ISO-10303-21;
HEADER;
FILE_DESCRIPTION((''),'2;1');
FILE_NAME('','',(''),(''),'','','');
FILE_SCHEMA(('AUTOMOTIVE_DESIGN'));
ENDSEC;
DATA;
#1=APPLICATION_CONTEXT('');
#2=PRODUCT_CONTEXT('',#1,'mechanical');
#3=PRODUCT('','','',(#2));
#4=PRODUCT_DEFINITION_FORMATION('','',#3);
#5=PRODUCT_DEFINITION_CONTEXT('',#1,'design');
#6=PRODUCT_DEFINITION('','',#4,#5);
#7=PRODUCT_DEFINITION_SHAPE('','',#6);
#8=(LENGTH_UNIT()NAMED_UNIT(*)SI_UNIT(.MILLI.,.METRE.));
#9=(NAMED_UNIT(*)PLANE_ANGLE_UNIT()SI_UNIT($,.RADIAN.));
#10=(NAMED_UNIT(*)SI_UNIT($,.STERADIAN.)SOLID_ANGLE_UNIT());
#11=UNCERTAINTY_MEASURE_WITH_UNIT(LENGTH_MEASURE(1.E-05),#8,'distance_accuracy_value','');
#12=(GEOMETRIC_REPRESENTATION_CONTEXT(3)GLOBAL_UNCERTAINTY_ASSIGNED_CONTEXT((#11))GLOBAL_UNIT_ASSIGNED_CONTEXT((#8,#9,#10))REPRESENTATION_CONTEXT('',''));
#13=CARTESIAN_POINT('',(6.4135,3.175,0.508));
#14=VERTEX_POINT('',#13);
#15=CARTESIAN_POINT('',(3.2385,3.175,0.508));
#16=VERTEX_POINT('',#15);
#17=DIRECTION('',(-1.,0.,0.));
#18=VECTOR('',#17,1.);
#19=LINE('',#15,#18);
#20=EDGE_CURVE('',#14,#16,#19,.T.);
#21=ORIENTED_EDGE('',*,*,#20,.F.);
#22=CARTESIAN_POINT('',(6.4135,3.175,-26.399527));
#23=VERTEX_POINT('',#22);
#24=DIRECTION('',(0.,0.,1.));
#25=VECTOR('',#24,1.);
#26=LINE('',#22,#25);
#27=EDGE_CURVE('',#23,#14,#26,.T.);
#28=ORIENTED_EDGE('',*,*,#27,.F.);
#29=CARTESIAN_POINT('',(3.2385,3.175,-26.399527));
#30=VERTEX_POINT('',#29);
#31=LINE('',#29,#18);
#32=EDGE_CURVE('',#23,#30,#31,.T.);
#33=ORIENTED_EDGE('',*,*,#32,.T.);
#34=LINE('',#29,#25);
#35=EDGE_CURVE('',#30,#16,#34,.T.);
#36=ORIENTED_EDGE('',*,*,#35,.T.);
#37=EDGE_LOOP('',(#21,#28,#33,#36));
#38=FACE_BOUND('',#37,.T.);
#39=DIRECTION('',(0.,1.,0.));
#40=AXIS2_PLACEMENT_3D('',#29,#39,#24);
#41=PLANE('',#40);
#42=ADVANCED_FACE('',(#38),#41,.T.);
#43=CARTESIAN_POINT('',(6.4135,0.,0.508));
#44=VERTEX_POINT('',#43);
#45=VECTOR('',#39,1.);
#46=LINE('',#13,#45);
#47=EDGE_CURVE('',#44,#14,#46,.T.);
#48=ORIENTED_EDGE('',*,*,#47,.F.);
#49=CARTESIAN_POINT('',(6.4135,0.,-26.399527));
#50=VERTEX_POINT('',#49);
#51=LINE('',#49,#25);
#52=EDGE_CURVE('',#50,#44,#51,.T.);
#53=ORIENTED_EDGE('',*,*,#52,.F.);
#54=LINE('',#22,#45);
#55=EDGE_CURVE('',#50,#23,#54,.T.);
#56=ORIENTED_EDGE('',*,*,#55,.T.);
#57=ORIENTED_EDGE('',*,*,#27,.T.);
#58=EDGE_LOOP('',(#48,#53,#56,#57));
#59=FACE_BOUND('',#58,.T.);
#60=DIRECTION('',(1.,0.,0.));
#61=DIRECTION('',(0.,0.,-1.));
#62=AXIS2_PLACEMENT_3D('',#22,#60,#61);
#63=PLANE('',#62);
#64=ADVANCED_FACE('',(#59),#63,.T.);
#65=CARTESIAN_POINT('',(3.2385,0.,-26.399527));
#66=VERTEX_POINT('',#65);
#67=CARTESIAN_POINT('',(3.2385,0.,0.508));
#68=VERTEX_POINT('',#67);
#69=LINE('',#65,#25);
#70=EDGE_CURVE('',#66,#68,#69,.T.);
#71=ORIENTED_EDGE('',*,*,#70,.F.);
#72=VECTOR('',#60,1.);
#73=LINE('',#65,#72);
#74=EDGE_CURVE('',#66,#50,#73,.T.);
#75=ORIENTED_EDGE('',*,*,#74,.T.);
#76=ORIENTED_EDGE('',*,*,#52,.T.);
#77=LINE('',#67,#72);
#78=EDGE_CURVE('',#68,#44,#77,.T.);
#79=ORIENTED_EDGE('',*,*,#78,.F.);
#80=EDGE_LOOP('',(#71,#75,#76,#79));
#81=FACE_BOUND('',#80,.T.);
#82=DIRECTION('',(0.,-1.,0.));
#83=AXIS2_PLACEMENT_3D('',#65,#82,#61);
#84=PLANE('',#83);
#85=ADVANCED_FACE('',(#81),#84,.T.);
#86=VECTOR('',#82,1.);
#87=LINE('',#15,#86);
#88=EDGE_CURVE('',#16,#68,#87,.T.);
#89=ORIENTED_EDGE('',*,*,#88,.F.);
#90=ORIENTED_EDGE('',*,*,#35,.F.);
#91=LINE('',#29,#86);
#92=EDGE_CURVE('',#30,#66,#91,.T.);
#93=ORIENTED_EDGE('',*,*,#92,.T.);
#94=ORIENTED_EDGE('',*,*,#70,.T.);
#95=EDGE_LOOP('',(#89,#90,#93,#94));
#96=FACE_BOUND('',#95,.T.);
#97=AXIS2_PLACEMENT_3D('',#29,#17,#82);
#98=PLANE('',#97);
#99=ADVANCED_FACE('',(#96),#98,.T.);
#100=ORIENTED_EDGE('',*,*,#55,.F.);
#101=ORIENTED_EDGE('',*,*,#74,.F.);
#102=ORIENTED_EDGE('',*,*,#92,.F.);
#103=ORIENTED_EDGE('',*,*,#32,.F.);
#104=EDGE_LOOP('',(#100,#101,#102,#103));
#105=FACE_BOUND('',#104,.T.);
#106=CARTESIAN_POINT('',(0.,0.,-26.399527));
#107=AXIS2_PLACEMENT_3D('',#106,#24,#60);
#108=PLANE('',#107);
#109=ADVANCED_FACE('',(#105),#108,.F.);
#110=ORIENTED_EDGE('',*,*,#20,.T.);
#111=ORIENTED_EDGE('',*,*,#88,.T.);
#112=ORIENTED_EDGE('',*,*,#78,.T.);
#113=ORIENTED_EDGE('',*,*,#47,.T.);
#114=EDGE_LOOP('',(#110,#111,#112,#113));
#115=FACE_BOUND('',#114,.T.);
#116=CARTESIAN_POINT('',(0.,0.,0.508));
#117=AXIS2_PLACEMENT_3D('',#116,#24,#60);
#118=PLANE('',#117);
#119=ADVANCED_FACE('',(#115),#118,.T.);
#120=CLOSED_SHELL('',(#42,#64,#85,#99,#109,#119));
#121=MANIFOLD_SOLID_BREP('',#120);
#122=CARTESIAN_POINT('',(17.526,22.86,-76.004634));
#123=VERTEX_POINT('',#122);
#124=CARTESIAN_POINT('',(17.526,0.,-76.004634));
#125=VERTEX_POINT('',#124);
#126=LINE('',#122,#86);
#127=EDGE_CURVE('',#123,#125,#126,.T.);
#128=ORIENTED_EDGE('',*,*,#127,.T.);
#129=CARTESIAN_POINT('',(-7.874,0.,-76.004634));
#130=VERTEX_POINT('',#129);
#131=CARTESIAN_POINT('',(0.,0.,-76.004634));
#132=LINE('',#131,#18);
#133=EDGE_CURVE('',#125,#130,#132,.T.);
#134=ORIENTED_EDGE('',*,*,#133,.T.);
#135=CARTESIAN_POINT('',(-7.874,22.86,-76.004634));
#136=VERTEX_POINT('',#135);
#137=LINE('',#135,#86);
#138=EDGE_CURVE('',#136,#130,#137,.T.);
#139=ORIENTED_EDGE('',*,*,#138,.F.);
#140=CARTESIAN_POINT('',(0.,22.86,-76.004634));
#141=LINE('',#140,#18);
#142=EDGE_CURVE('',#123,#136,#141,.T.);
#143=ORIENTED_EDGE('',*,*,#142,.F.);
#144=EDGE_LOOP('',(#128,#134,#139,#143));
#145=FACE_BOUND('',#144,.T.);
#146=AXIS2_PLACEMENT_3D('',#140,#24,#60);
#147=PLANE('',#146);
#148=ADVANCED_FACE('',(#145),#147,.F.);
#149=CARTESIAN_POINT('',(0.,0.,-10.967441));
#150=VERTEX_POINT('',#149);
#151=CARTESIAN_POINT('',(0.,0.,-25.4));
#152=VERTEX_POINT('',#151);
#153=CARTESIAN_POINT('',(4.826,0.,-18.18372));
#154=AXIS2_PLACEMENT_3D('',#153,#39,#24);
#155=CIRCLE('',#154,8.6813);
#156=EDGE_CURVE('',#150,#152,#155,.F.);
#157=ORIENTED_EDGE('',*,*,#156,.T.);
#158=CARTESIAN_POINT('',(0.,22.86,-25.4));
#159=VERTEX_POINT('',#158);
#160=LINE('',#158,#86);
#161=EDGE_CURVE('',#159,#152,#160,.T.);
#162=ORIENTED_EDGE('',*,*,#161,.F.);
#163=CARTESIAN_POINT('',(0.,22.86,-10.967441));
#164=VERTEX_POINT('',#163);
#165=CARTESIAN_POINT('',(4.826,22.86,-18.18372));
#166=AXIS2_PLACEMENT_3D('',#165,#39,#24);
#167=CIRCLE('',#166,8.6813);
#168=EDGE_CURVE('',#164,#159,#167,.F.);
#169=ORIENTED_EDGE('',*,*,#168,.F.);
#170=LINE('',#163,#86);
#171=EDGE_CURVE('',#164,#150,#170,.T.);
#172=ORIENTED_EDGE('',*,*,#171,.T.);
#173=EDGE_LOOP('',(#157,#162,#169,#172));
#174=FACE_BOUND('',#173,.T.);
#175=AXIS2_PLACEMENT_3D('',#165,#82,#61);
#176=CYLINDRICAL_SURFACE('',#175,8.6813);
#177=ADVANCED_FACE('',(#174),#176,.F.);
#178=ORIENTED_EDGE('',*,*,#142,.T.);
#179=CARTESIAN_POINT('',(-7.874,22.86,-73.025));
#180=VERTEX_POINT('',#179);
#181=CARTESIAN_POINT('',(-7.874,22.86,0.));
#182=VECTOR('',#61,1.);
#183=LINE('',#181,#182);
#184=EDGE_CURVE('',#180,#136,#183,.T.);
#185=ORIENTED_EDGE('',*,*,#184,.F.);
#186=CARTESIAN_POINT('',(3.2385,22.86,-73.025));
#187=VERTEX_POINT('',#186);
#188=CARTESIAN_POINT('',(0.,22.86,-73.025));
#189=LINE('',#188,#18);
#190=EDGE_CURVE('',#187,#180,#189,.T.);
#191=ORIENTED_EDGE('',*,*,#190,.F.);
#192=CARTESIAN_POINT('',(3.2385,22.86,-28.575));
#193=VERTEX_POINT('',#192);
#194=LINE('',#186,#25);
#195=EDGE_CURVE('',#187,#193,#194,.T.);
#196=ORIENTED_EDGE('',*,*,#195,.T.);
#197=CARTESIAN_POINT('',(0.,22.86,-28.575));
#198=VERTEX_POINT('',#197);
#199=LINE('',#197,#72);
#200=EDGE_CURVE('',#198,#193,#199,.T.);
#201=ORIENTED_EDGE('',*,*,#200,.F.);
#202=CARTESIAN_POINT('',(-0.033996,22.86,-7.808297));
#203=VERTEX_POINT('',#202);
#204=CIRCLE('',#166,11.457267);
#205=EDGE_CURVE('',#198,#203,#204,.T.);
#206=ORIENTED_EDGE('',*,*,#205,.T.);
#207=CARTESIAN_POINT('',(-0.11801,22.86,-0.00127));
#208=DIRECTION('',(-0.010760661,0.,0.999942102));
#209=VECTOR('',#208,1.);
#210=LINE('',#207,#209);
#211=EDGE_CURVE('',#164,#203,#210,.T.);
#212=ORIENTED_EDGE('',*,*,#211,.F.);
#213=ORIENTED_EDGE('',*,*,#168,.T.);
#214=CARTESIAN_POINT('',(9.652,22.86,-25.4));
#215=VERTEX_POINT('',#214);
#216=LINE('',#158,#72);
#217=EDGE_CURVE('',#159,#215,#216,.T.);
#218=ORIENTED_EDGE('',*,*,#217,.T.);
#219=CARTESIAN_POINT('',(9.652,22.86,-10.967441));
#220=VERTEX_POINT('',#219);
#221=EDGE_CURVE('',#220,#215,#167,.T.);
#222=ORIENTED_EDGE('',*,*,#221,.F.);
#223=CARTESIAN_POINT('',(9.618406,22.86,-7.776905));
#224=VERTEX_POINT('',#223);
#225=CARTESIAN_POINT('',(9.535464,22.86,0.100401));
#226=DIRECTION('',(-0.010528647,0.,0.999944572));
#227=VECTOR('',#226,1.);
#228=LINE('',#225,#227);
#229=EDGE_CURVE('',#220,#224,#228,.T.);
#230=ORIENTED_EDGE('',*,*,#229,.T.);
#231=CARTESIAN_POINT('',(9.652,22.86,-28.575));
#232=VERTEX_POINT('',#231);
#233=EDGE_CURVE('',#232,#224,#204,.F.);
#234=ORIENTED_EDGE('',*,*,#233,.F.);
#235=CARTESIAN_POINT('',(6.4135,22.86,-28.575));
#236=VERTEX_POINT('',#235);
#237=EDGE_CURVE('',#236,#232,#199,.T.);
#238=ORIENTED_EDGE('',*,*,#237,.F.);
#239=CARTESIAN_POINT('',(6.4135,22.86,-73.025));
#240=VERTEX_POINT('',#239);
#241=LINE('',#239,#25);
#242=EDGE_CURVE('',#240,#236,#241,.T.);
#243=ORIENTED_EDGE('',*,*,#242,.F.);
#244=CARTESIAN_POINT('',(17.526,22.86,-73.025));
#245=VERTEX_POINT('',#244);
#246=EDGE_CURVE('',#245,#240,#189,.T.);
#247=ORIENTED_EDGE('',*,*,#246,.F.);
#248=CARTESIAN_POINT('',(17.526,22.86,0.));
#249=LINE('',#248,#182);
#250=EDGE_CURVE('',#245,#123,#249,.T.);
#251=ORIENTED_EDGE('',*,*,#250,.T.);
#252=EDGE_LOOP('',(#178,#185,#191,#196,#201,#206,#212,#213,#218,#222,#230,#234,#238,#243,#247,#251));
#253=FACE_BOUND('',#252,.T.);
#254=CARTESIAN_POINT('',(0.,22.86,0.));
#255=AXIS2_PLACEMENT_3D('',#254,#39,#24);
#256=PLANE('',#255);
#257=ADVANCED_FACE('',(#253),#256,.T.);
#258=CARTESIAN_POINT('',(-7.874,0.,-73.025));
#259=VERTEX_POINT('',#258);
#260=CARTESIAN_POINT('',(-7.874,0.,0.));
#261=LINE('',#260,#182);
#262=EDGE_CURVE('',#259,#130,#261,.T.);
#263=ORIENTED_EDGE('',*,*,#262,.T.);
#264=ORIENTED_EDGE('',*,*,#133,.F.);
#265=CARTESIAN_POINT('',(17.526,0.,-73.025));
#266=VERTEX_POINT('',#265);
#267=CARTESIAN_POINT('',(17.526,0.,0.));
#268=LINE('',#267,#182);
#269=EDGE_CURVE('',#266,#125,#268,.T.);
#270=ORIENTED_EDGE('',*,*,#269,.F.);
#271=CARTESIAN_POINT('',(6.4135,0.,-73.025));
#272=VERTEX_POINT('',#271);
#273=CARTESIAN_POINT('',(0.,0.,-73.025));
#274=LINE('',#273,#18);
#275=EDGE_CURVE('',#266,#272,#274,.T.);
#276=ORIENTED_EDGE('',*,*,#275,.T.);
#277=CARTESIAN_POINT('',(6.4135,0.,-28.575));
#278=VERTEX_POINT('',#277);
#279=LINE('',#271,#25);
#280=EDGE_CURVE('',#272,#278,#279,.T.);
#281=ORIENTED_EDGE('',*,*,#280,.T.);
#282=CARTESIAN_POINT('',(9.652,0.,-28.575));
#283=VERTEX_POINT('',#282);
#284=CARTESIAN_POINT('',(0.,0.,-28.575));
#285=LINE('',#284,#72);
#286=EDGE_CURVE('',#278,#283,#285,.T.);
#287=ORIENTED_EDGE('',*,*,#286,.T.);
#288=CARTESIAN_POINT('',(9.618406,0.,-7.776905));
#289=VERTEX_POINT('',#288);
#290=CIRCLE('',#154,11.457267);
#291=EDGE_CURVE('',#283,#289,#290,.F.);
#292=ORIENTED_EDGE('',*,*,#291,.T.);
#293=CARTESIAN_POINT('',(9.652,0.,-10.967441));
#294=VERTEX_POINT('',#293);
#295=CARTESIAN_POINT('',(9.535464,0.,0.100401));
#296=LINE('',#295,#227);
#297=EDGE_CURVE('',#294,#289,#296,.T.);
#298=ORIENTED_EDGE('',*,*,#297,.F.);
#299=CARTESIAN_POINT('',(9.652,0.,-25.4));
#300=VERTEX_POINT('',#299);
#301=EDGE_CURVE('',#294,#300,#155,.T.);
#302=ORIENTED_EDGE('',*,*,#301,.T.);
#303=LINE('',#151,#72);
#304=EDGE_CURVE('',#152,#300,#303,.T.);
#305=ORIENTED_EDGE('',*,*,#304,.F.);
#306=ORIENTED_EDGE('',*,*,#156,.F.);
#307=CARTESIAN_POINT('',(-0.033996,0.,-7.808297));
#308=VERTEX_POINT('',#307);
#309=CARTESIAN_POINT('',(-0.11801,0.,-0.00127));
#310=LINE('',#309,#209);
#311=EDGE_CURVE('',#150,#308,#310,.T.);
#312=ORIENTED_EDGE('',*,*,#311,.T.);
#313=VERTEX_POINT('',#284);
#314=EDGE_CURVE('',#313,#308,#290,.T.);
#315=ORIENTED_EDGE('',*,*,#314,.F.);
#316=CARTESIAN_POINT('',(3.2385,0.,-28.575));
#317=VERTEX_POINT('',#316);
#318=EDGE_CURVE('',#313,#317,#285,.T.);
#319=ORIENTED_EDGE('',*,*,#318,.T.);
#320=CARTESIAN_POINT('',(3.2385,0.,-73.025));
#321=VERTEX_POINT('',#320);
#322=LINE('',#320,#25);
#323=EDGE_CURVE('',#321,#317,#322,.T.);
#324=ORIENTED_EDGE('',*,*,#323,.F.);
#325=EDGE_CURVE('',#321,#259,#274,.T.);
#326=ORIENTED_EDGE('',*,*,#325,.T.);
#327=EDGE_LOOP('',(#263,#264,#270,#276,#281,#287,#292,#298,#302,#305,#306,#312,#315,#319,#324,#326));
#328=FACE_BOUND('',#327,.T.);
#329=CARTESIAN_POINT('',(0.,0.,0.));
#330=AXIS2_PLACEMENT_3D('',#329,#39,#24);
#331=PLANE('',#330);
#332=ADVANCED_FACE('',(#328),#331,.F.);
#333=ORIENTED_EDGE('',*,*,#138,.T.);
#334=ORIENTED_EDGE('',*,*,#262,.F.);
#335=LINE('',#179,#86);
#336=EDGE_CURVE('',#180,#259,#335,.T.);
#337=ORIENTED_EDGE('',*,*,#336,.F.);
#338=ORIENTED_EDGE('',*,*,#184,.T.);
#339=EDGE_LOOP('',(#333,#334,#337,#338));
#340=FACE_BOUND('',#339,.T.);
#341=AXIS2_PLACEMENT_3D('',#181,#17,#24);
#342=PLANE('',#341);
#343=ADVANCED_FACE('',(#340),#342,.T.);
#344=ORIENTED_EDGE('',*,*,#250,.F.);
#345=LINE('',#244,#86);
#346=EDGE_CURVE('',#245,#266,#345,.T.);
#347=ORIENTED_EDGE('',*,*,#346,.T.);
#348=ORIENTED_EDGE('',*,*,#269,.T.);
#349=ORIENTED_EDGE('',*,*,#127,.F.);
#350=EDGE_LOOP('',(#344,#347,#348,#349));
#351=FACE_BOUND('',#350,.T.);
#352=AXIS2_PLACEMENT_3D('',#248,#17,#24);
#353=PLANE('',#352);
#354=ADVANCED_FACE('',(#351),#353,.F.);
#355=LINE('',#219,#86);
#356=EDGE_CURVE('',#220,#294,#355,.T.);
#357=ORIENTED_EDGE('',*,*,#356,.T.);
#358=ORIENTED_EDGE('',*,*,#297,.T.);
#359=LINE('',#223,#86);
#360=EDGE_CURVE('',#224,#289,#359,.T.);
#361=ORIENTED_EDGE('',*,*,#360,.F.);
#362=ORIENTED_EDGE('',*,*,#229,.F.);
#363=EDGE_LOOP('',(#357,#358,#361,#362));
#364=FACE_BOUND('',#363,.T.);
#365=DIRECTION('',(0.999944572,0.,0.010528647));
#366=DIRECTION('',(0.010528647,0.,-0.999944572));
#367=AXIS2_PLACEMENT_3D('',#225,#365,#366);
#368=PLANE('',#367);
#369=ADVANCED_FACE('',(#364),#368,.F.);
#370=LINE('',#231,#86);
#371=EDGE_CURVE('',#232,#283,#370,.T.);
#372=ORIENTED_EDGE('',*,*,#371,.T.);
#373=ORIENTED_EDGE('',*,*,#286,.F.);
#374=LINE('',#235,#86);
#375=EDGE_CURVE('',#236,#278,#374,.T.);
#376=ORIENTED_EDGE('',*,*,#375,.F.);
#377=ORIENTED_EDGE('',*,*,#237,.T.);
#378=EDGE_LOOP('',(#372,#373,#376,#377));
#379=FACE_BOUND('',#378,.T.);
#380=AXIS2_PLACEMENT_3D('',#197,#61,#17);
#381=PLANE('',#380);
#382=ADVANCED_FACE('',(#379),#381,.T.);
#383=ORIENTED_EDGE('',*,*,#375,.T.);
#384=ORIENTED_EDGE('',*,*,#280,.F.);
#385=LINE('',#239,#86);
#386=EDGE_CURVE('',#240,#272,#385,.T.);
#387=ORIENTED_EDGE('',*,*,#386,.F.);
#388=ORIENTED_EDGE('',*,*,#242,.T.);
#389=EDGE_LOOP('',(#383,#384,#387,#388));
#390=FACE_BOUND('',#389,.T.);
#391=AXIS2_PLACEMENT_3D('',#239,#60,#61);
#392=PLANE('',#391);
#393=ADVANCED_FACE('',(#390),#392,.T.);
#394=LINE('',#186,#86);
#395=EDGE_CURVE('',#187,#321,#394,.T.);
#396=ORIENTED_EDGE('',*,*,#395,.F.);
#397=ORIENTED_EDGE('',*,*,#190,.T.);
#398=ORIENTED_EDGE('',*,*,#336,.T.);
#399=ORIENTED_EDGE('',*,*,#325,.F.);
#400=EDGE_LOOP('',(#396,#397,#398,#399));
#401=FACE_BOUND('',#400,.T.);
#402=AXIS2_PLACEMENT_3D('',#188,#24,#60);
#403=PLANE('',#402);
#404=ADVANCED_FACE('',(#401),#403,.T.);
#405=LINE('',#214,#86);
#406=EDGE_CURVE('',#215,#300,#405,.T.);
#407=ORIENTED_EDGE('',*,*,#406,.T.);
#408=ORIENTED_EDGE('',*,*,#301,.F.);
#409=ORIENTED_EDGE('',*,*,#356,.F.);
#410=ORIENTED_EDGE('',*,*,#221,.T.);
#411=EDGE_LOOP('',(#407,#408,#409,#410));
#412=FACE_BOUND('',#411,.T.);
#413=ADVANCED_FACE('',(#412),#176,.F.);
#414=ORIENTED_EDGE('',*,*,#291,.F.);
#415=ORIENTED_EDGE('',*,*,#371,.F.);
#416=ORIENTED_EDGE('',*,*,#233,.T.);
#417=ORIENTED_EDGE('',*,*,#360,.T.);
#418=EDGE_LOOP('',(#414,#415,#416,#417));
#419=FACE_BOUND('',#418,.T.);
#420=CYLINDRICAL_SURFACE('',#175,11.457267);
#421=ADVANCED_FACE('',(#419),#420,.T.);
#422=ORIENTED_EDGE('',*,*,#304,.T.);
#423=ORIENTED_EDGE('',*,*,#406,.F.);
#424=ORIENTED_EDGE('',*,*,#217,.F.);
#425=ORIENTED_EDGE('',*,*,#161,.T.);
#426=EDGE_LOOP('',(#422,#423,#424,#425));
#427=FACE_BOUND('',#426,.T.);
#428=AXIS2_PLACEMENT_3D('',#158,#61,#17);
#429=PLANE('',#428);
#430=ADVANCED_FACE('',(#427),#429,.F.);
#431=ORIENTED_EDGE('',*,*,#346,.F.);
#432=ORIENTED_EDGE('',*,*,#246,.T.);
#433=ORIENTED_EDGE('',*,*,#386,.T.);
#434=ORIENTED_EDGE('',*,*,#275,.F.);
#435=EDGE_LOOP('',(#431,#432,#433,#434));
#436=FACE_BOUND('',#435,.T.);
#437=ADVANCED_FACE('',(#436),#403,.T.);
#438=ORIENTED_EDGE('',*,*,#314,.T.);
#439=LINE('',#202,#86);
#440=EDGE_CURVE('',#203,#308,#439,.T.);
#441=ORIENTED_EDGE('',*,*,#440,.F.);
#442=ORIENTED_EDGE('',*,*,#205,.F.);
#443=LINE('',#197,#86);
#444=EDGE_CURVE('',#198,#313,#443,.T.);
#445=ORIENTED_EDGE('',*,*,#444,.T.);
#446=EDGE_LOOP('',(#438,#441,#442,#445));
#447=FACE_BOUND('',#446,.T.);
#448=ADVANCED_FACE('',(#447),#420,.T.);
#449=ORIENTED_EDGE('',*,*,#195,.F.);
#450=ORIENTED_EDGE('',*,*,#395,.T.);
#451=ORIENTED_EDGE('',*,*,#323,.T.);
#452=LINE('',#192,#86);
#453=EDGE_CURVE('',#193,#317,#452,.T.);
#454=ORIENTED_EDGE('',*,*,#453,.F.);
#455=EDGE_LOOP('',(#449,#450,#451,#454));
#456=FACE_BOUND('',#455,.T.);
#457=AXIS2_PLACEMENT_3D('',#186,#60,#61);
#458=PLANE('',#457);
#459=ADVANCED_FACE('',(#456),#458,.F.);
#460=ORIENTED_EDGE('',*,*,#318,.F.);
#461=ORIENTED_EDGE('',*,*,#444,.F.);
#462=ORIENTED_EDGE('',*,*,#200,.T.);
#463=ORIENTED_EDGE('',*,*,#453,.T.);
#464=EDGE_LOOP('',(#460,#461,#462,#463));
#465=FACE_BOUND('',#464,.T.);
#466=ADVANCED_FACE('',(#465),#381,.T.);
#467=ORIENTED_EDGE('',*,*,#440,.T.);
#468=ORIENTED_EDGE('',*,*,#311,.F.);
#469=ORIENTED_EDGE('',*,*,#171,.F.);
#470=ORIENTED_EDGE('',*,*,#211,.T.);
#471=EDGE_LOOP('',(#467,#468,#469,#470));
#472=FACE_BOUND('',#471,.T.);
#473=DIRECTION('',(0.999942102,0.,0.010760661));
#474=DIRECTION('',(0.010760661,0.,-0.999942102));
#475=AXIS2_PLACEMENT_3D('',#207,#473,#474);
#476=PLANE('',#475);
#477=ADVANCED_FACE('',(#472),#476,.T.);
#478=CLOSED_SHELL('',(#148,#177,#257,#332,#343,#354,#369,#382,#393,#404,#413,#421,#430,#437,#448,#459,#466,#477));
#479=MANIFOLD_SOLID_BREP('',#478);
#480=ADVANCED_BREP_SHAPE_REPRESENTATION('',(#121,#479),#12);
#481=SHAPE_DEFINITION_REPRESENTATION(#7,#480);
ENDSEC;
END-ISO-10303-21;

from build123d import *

# Parameters (mm, degrees)
SKETCH1_W                = 3.175
SKETCH1_H                = 44.45
BOSS_EXTRUDE1_DEPTH      = 22.86
SKETCH2_W                = 3.175
SKETCH2_H                = 3.175
BOSS_EXTRUDE2_DEPTH      = 0.508
BOSS_EXTRUDE2_DEPTH_BACK = 26.399527316


with BuildPart() as part:
    # Sketch1 → Boss-Extrude1 (new body)
    with BuildSketch(Plane(origin=(0, 0, 0), x_dir=(1, 0, 0), z_dir=(0, 1, 0))):
        with BuildLine():
            ThreePointArc((9.652, 25.4), (13.507299945, 18.183720298), (9.652, 10.967440596))
            Line((9.652, 10.967440596), (9.61840611, 7.776904574))
            ThreePointArc((9.61840611, 7.776904574), (16.283252173, 18.1652141), (9.652, 28.575))
            Line((9.652, 28.575), (9.652, 25.4))
        make_face()
        Polygon((0, 25.4), (9.652, 25.4), (9.652, 28.575), (6.4135, 28.575), (3.2385, 28.575), (0, 28.575), align=None)
        with BuildLine():
            ThreePointArc((0, 10.967440596), (-3.855299945, 18.183720298), (0, 25.4))
            Line((0, 25.4), (0, 28.575))
            ThreePointArc((0, 28.575), (-6.631251767, 18.202476563), (-0.03399644, 7.808297201))
            Line((-0.03399644, 7.808297201), (0, 10.967440596))
        make_face()
        with Locations((4.826, 50.8)):
            Rectangle(SKETCH1_W, SKETCH1_H)
        Polygon((3.2385, 73.025), (6.4135, 73.025), (17.526, 73.025), (17.526, 76.004634154), (-7.874, 76.004634154), (-7.874, 73.025), align=None)
    extrude(amount=BOSS_EXTRUDE1_DEPTH)


with BuildPart() as body_2:
    # Sketch2 → Boss-Extrude2 (new body, two sides)
    with BuildSketch(Plane.XY) as boss_extrude2_sk:
        with Locations((4.826, 1.5875)):
            Rectangle(SKETCH2_W, SKETCH2_H)
    extrude(amount=BOSS_EXTRUDE2_DEPTH)
    extrude(boss_extrude2_sk.sketch, amount=-BOSS_EXTRUDE2_DEPTH_BACK)


solid = Compound([part.part, body_2.part])
